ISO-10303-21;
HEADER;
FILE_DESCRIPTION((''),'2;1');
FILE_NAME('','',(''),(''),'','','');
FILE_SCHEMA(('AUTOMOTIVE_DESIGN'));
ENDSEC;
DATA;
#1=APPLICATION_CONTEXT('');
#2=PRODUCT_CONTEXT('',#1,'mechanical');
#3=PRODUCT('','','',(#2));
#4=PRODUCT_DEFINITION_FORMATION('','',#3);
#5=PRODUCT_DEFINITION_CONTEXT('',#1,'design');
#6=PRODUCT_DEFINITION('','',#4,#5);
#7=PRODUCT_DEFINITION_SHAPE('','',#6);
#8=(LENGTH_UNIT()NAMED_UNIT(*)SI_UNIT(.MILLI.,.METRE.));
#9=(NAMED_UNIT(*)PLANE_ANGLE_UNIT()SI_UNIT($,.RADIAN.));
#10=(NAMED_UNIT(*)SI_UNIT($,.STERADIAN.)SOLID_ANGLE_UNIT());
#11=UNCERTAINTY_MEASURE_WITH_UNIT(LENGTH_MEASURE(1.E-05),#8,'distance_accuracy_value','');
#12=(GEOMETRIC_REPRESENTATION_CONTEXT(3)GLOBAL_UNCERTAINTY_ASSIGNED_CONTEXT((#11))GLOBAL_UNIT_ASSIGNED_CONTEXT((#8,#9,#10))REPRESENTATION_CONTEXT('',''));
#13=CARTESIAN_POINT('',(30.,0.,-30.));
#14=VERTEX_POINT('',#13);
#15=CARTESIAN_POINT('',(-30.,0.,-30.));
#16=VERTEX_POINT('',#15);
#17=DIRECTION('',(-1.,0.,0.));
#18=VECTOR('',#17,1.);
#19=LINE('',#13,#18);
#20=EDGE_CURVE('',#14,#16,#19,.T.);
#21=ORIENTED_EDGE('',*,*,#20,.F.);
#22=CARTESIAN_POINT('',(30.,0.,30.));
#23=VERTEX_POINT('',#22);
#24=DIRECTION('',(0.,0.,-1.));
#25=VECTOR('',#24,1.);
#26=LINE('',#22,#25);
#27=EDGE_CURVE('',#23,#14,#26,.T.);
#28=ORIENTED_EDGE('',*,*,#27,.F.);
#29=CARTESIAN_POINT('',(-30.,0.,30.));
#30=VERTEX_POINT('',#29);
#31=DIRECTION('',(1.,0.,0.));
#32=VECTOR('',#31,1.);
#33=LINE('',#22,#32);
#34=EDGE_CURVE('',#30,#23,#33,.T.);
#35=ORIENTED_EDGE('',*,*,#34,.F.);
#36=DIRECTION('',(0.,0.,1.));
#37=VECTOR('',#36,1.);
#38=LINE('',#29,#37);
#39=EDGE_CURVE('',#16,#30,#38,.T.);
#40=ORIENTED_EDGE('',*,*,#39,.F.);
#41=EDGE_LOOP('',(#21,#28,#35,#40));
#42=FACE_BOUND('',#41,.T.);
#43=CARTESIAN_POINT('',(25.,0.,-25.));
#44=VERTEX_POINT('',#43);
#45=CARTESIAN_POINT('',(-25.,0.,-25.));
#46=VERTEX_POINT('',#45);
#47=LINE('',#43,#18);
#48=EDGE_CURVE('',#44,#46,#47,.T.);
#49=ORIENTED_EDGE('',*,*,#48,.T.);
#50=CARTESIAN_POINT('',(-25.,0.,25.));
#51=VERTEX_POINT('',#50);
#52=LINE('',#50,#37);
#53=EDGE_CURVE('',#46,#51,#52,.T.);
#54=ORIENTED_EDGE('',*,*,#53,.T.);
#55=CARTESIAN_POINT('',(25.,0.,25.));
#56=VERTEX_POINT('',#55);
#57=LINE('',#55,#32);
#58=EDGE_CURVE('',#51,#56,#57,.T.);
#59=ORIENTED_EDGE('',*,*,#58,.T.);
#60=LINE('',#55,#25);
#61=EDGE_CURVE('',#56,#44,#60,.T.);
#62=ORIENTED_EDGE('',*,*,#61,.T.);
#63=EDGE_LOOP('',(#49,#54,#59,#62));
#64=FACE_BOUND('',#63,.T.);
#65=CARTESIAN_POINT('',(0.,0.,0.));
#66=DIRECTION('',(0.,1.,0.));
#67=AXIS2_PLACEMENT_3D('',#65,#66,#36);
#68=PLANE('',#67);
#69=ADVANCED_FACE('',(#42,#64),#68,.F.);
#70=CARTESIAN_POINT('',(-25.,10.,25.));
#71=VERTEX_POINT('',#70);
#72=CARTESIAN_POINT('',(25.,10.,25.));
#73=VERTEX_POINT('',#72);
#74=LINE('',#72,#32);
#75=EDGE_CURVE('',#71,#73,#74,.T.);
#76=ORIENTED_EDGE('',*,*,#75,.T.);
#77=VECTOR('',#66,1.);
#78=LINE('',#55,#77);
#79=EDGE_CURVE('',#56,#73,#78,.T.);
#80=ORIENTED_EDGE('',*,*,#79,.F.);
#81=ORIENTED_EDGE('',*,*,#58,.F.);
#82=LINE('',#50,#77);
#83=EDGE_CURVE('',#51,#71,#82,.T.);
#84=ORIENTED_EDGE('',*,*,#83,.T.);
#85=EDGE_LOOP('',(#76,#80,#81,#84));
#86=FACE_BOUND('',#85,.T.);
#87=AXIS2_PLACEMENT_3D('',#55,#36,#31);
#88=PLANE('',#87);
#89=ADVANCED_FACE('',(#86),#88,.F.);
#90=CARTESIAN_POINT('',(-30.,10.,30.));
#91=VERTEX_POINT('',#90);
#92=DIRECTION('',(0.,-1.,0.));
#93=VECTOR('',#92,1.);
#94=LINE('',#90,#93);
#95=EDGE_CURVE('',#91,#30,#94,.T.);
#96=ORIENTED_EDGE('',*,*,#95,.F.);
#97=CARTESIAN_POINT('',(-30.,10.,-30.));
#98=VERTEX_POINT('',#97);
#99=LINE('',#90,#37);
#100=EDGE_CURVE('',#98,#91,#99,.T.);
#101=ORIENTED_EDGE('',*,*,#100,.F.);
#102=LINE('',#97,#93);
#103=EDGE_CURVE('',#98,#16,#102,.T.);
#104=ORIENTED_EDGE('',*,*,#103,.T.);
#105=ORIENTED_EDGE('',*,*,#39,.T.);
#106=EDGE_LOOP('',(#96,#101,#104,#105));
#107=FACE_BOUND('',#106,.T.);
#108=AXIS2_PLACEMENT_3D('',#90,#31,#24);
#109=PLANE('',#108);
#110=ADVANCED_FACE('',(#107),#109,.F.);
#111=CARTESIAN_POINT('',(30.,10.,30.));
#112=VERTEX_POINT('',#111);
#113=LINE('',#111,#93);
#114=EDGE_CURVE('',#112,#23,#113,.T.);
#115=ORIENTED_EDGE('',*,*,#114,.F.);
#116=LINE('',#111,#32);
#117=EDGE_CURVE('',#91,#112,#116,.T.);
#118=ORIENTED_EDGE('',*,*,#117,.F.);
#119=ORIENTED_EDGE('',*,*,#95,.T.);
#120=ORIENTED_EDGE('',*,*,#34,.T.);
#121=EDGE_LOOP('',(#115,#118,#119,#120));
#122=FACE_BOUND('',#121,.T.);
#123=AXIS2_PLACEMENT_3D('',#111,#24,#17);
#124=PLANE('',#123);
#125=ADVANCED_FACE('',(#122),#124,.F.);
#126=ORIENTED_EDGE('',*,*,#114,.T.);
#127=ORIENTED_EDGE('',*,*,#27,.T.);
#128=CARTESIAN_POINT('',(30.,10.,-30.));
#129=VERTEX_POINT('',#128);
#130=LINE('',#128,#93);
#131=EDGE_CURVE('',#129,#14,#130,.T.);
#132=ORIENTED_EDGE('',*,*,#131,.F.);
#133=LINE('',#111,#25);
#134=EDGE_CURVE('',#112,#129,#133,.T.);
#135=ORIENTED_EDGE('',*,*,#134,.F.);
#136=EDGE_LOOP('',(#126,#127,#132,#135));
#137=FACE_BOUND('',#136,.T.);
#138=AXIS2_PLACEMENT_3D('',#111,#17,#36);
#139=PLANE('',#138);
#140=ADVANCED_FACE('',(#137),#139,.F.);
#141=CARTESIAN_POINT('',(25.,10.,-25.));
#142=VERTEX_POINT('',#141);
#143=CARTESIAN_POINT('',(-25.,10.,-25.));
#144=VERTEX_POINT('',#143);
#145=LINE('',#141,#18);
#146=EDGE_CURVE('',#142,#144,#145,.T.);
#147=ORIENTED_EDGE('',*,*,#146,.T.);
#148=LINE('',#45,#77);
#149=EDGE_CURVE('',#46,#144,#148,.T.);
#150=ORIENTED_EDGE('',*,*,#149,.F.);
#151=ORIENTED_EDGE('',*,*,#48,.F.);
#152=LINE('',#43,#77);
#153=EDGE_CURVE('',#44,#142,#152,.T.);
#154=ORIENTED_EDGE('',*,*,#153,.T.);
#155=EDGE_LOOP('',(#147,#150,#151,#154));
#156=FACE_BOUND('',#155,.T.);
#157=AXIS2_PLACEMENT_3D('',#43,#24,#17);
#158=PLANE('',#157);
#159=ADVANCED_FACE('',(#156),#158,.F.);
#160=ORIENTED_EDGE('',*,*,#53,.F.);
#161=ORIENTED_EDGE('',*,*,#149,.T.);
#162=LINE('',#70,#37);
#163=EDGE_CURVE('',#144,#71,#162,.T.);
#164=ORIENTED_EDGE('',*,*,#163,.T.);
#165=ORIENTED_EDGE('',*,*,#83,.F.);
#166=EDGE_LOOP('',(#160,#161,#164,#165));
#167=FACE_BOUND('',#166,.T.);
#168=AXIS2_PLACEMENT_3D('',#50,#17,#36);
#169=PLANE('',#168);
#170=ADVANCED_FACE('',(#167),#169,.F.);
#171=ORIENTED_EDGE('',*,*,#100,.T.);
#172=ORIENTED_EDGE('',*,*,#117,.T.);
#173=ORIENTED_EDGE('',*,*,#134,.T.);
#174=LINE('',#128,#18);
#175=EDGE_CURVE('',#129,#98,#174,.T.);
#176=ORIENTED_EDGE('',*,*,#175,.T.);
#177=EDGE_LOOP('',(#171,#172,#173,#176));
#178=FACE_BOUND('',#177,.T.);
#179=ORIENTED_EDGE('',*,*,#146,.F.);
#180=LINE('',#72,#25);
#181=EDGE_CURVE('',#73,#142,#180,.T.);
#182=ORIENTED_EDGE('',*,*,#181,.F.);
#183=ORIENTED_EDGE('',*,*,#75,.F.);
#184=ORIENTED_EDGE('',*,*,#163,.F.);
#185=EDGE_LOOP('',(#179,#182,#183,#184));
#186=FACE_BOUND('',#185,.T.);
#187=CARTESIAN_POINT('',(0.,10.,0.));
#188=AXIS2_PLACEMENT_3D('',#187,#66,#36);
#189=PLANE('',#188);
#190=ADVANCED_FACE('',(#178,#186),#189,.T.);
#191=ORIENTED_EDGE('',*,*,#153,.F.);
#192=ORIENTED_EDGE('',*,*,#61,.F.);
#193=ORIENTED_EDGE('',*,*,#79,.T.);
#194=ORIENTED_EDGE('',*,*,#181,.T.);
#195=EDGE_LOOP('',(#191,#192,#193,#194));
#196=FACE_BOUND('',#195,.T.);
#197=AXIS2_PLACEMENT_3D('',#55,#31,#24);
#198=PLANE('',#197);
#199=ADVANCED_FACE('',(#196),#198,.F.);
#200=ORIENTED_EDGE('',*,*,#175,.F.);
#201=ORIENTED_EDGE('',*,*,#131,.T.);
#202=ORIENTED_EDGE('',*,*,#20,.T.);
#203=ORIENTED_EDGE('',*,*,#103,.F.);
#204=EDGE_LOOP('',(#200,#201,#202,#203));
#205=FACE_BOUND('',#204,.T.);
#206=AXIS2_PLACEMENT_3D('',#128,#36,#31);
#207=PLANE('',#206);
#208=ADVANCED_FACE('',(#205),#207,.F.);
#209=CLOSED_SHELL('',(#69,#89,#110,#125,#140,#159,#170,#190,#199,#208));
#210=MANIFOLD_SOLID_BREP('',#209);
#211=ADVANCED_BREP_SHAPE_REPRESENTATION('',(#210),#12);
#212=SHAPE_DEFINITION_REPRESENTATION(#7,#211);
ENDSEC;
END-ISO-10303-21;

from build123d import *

# Parameters (mm, degrees)
SKETCH1_W           = 60
SKETCH1_H           = 60
BOSS_EXTRUDE1_DEPTH = 10
SKETCH2_W           = 50
SKETCH2_H           = 50
CUT_EXTRUDE1_DEPTH  = 10


with BuildPart() as part:
    # Sketch1 → Boss-Extrude1 (new body)
    with BuildSketch(Plane(origin=(0, 0, 0), x_dir=(1, 0, 0), z_dir=(0, 1, 0))):
        Rectangle(SKETCH1_W, SKETCH1_H)
    extrude(amount=BOSS_EXTRUDE1_DEPTH)

    # Sketch2 → Cut-Extrude1 (cut)
    with BuildSketch(Plane(origin=(0, 10, 0), x_dir=(1, 0, 0), z_dir=(0, 1, 0))):
        Rectangle(SKETCH2_W, SKETCH2_H)
    extrude(amount=-CUT_EXTRUDE1_DEPTH, mode=Mode.SUBTRACT)


solid = part.part
